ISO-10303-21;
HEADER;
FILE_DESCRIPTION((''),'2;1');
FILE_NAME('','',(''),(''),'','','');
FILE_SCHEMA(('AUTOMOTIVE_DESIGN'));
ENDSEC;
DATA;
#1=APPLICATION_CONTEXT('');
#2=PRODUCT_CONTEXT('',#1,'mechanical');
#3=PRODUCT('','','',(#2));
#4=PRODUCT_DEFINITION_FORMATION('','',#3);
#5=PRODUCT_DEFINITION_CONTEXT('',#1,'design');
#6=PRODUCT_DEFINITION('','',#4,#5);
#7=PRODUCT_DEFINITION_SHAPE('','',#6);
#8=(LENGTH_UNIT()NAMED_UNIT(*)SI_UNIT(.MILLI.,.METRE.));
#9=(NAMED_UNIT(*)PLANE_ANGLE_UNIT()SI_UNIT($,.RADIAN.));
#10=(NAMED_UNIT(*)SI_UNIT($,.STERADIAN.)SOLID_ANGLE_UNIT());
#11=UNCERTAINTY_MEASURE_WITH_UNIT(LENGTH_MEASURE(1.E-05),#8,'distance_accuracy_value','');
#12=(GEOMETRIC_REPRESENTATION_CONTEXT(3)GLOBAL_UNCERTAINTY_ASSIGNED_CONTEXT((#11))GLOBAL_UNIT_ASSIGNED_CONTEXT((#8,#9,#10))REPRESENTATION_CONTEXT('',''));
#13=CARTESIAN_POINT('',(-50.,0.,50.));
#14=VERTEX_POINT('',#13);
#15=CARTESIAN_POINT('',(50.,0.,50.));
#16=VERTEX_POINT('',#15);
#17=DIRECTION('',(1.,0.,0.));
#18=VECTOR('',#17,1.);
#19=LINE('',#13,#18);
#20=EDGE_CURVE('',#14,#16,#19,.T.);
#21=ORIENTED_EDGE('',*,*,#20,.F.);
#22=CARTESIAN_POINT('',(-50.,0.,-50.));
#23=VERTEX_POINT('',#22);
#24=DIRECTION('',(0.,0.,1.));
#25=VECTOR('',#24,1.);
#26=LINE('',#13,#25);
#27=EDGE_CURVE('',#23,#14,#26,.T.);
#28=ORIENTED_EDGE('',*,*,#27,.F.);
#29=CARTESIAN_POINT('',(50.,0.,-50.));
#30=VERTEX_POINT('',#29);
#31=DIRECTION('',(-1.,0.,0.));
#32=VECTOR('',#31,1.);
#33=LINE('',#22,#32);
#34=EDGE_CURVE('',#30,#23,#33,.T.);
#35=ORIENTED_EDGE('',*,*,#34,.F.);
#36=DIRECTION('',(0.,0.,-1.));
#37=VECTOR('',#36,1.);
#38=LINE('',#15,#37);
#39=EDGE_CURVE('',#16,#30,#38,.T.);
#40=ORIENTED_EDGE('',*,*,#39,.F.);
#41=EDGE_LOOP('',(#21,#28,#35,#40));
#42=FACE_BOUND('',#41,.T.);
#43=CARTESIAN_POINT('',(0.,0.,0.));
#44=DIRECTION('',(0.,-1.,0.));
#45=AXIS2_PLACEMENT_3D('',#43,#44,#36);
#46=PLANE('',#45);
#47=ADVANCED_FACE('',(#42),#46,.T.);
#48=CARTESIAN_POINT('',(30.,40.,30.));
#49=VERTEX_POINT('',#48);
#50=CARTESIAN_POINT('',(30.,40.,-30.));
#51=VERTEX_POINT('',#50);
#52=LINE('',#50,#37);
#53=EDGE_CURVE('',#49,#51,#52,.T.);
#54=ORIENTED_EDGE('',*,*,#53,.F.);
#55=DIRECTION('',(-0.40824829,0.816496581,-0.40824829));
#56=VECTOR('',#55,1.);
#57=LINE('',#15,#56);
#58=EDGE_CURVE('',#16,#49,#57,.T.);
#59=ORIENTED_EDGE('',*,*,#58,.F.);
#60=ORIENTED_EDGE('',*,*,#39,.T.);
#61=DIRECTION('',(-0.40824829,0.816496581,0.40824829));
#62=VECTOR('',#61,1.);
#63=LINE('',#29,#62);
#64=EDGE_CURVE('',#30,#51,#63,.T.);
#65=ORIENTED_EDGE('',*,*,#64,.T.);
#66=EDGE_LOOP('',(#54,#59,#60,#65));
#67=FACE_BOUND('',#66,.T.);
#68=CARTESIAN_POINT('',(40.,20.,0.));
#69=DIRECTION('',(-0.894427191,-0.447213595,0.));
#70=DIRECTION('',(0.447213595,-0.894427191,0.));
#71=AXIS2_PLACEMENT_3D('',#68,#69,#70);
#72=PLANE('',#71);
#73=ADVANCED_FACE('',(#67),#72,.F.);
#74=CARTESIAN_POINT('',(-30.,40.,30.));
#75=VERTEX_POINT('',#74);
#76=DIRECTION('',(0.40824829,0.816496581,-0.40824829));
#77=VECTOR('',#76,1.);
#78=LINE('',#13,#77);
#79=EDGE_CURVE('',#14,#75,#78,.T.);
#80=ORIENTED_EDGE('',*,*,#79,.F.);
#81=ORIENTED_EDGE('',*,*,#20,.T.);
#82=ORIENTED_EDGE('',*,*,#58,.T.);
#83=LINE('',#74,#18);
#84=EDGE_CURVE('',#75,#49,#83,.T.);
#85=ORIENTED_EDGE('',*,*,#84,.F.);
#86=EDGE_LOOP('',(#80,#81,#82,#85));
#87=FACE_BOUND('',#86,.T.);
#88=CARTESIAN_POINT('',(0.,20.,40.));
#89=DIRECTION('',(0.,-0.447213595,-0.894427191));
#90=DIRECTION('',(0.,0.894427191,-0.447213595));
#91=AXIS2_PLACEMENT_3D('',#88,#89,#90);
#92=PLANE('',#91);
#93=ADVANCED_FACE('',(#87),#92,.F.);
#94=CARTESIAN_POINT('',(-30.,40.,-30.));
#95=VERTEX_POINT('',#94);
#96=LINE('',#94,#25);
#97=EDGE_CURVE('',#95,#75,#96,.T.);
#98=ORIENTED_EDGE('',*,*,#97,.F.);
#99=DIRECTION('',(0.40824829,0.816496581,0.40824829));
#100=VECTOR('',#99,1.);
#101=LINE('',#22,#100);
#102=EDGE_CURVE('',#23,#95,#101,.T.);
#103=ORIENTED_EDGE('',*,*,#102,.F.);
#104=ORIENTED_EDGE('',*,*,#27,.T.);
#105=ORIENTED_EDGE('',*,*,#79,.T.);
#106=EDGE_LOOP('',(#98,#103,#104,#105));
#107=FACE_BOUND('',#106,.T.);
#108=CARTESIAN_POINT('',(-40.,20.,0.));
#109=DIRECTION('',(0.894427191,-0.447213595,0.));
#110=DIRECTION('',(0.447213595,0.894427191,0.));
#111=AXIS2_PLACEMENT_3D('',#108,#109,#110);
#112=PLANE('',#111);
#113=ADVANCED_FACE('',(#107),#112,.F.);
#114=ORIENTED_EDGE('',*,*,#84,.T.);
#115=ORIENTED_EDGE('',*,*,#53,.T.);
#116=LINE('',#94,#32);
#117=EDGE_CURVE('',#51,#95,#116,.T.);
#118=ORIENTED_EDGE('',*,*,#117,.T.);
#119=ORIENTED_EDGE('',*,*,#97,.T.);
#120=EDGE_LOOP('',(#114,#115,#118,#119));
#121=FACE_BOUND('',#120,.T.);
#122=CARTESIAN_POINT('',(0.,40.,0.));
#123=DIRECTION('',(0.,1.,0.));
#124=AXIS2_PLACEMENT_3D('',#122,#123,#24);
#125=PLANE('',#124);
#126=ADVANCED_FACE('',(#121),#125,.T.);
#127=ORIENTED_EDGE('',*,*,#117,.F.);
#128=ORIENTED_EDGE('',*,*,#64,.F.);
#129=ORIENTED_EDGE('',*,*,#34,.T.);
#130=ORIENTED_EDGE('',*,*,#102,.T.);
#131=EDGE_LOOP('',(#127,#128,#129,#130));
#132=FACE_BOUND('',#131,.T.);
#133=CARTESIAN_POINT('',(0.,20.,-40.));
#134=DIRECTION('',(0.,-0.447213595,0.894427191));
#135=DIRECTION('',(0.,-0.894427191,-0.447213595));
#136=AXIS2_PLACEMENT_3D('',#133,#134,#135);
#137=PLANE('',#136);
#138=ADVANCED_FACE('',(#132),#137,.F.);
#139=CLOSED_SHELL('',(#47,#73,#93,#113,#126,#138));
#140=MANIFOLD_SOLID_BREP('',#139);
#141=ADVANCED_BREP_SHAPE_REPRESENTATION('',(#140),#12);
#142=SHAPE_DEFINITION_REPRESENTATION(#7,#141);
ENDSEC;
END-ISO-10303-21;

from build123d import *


with BuildPart() as part:
    # 草图1 → 放样1 section 0
    with BuildSketch(Plane(origin=(0, 0, 0), x_dir=(1, 0, 0), z_dir=(0, 1, 0))):
        with BuildLine():
            Line((-50, -50), (50, -50))
            Line((50, -50), (50, 50))
            Line((50, 50), (-50, 50))
            Line((-50, 50), (-50, -50))
        make_face()
    # 草图2 → 放样1 section 1
    with BuildSketch(Plane(origin=(0, 40, 0), x_dir=(1, 0, 0), z_dir=(0, 1, 0))):
        with BuildLine():
            Line((-30, 30), (30, 30))
            Line((30, 30), (30, -30))
            Line((30, -30), (-30, -30))
            Line((-30, -30), (-30, 30))
        make_face()
    loft()


solid = part.part
